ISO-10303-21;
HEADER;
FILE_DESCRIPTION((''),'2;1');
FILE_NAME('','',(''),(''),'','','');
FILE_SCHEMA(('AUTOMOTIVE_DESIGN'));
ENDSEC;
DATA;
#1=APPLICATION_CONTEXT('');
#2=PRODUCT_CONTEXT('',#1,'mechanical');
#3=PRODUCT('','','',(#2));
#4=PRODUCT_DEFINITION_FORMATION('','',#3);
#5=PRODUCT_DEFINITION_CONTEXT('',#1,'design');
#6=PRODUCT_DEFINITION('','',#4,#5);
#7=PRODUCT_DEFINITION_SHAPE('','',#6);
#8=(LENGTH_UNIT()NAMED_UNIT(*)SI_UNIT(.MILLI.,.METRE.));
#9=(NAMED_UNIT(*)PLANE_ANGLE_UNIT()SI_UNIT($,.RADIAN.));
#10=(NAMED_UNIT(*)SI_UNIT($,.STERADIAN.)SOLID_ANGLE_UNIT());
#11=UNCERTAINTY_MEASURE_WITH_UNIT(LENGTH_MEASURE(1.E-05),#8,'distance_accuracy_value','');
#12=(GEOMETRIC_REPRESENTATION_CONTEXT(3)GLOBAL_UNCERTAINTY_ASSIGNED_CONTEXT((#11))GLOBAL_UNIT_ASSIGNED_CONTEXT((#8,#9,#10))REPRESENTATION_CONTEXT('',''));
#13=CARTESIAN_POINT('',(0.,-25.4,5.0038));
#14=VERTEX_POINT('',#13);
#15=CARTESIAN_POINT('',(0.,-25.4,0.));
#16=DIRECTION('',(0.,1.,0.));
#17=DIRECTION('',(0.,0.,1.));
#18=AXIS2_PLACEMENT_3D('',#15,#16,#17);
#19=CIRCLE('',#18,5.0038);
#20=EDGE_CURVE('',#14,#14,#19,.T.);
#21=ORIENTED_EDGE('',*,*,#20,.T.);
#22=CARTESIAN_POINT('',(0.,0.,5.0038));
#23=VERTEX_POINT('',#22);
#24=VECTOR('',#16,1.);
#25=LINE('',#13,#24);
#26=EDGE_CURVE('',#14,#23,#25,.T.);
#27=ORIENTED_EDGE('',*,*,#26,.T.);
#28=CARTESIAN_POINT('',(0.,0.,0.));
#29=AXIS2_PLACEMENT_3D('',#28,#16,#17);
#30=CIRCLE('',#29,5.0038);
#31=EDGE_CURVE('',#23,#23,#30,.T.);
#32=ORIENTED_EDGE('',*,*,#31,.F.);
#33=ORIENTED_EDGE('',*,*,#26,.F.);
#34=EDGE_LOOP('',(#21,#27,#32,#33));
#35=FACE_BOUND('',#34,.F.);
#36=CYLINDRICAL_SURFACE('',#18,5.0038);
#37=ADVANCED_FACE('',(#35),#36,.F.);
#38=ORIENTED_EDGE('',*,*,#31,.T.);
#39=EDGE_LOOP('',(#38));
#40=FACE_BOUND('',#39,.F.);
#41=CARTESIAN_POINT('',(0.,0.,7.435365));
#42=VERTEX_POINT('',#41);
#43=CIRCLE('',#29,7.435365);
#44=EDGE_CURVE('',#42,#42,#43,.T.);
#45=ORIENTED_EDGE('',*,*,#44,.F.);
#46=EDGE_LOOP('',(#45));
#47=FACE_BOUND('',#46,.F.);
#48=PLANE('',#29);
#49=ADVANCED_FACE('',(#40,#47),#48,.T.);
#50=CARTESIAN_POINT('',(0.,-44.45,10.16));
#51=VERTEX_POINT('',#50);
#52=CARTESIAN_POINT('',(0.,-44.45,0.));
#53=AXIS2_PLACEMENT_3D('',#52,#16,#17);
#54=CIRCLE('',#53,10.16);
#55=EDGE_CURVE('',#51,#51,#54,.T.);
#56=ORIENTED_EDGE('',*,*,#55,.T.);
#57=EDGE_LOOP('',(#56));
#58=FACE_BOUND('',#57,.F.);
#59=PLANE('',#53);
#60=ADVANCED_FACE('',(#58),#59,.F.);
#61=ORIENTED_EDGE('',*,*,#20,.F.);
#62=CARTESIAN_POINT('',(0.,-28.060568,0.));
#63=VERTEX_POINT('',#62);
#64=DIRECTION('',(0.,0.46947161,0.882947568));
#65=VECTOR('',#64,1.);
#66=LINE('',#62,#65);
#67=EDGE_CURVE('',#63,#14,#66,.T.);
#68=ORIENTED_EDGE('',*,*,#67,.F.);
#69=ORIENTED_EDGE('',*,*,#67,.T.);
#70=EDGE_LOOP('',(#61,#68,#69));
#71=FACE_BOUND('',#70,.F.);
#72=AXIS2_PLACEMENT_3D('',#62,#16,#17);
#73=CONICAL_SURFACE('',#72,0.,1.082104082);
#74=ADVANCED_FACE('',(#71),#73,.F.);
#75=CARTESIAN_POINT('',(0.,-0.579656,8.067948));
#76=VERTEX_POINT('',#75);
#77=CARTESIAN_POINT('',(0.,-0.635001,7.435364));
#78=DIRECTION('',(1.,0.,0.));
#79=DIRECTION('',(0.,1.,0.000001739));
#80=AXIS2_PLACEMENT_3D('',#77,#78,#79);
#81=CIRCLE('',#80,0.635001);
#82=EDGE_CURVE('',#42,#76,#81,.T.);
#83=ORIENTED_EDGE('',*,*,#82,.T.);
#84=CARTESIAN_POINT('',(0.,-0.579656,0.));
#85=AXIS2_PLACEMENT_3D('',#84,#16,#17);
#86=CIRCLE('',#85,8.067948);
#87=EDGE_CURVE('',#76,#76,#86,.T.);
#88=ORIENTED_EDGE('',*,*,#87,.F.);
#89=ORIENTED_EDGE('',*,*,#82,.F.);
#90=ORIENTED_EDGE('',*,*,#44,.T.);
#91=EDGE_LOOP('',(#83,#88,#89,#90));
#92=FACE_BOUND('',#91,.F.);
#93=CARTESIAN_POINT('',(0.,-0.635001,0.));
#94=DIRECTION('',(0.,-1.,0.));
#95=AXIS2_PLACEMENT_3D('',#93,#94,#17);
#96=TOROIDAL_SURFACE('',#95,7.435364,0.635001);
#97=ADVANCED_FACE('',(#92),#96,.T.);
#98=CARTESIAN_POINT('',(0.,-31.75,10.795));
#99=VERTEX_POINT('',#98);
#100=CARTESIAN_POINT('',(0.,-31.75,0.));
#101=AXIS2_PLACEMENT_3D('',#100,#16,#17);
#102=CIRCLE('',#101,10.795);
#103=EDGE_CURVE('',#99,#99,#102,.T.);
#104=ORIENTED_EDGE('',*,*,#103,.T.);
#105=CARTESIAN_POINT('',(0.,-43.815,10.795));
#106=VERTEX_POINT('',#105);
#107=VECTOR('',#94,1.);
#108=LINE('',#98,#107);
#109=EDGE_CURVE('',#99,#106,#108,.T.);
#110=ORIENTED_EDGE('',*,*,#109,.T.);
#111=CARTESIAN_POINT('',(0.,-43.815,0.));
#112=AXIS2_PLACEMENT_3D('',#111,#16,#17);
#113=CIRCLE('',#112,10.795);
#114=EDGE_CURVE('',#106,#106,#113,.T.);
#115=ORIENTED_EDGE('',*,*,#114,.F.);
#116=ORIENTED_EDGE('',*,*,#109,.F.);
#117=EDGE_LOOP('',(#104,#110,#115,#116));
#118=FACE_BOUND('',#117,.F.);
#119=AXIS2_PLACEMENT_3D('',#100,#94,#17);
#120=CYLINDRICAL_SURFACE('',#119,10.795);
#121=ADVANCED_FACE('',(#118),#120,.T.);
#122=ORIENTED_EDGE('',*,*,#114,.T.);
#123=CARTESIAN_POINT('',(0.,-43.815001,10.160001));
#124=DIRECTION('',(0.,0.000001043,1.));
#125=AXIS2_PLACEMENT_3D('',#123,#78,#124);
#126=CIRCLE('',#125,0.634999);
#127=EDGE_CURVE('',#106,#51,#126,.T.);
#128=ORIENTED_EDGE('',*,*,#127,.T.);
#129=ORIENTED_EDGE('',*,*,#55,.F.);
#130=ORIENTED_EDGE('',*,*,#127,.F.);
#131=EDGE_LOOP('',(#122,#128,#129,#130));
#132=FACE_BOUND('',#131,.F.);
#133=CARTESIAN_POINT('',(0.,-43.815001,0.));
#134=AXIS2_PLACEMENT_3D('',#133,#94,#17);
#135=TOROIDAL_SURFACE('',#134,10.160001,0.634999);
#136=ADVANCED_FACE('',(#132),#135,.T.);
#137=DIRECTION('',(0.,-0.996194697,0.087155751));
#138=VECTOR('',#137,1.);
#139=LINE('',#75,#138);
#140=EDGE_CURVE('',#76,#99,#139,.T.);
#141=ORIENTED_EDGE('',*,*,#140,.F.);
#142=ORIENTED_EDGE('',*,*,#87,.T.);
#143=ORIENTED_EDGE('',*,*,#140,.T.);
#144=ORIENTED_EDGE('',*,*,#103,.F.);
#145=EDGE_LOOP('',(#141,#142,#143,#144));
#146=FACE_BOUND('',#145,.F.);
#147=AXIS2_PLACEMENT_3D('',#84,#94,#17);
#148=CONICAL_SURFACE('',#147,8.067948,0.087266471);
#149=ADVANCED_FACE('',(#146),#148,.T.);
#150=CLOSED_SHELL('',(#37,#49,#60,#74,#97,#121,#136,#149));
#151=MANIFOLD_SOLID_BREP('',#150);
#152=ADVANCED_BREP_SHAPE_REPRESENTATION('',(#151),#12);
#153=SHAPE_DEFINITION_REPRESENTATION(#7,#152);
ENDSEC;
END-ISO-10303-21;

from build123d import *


with BuildPart() as f1:
    # F0 (on Right) → F1 (revolve)
    with BuildSketch(Plane.YZ):
        with BuildLine():
            Line((-25.4, 5.0038), (0, 5.0038))
            Line((0, 5.0038), (0, 7.435365))
            ThreePointArc((0, 7.435365), (-0.166829, 7.864364), (-0.579656, 8.067948))
            Line((-0.579656, 8.067948), (-31.75, 10.795))
            Line((-31.75, 10.795), (-43.815, 10.795))
            ThreePointArc((-43.815, 10.795), (-44.264013, 10.609013), (-44.45, 10.16))
            Line((-44.45, 10.16), (-44.45, 0))
            Line((-44.45, 0), (-28.060568, 0))
            Line((-28.060568, 0), (-25.4, 5.0038))
        make_face()
    revolve(axis=Axis((0, -36.255284, 0), (0, 1, 0)))


solid = f1.part
